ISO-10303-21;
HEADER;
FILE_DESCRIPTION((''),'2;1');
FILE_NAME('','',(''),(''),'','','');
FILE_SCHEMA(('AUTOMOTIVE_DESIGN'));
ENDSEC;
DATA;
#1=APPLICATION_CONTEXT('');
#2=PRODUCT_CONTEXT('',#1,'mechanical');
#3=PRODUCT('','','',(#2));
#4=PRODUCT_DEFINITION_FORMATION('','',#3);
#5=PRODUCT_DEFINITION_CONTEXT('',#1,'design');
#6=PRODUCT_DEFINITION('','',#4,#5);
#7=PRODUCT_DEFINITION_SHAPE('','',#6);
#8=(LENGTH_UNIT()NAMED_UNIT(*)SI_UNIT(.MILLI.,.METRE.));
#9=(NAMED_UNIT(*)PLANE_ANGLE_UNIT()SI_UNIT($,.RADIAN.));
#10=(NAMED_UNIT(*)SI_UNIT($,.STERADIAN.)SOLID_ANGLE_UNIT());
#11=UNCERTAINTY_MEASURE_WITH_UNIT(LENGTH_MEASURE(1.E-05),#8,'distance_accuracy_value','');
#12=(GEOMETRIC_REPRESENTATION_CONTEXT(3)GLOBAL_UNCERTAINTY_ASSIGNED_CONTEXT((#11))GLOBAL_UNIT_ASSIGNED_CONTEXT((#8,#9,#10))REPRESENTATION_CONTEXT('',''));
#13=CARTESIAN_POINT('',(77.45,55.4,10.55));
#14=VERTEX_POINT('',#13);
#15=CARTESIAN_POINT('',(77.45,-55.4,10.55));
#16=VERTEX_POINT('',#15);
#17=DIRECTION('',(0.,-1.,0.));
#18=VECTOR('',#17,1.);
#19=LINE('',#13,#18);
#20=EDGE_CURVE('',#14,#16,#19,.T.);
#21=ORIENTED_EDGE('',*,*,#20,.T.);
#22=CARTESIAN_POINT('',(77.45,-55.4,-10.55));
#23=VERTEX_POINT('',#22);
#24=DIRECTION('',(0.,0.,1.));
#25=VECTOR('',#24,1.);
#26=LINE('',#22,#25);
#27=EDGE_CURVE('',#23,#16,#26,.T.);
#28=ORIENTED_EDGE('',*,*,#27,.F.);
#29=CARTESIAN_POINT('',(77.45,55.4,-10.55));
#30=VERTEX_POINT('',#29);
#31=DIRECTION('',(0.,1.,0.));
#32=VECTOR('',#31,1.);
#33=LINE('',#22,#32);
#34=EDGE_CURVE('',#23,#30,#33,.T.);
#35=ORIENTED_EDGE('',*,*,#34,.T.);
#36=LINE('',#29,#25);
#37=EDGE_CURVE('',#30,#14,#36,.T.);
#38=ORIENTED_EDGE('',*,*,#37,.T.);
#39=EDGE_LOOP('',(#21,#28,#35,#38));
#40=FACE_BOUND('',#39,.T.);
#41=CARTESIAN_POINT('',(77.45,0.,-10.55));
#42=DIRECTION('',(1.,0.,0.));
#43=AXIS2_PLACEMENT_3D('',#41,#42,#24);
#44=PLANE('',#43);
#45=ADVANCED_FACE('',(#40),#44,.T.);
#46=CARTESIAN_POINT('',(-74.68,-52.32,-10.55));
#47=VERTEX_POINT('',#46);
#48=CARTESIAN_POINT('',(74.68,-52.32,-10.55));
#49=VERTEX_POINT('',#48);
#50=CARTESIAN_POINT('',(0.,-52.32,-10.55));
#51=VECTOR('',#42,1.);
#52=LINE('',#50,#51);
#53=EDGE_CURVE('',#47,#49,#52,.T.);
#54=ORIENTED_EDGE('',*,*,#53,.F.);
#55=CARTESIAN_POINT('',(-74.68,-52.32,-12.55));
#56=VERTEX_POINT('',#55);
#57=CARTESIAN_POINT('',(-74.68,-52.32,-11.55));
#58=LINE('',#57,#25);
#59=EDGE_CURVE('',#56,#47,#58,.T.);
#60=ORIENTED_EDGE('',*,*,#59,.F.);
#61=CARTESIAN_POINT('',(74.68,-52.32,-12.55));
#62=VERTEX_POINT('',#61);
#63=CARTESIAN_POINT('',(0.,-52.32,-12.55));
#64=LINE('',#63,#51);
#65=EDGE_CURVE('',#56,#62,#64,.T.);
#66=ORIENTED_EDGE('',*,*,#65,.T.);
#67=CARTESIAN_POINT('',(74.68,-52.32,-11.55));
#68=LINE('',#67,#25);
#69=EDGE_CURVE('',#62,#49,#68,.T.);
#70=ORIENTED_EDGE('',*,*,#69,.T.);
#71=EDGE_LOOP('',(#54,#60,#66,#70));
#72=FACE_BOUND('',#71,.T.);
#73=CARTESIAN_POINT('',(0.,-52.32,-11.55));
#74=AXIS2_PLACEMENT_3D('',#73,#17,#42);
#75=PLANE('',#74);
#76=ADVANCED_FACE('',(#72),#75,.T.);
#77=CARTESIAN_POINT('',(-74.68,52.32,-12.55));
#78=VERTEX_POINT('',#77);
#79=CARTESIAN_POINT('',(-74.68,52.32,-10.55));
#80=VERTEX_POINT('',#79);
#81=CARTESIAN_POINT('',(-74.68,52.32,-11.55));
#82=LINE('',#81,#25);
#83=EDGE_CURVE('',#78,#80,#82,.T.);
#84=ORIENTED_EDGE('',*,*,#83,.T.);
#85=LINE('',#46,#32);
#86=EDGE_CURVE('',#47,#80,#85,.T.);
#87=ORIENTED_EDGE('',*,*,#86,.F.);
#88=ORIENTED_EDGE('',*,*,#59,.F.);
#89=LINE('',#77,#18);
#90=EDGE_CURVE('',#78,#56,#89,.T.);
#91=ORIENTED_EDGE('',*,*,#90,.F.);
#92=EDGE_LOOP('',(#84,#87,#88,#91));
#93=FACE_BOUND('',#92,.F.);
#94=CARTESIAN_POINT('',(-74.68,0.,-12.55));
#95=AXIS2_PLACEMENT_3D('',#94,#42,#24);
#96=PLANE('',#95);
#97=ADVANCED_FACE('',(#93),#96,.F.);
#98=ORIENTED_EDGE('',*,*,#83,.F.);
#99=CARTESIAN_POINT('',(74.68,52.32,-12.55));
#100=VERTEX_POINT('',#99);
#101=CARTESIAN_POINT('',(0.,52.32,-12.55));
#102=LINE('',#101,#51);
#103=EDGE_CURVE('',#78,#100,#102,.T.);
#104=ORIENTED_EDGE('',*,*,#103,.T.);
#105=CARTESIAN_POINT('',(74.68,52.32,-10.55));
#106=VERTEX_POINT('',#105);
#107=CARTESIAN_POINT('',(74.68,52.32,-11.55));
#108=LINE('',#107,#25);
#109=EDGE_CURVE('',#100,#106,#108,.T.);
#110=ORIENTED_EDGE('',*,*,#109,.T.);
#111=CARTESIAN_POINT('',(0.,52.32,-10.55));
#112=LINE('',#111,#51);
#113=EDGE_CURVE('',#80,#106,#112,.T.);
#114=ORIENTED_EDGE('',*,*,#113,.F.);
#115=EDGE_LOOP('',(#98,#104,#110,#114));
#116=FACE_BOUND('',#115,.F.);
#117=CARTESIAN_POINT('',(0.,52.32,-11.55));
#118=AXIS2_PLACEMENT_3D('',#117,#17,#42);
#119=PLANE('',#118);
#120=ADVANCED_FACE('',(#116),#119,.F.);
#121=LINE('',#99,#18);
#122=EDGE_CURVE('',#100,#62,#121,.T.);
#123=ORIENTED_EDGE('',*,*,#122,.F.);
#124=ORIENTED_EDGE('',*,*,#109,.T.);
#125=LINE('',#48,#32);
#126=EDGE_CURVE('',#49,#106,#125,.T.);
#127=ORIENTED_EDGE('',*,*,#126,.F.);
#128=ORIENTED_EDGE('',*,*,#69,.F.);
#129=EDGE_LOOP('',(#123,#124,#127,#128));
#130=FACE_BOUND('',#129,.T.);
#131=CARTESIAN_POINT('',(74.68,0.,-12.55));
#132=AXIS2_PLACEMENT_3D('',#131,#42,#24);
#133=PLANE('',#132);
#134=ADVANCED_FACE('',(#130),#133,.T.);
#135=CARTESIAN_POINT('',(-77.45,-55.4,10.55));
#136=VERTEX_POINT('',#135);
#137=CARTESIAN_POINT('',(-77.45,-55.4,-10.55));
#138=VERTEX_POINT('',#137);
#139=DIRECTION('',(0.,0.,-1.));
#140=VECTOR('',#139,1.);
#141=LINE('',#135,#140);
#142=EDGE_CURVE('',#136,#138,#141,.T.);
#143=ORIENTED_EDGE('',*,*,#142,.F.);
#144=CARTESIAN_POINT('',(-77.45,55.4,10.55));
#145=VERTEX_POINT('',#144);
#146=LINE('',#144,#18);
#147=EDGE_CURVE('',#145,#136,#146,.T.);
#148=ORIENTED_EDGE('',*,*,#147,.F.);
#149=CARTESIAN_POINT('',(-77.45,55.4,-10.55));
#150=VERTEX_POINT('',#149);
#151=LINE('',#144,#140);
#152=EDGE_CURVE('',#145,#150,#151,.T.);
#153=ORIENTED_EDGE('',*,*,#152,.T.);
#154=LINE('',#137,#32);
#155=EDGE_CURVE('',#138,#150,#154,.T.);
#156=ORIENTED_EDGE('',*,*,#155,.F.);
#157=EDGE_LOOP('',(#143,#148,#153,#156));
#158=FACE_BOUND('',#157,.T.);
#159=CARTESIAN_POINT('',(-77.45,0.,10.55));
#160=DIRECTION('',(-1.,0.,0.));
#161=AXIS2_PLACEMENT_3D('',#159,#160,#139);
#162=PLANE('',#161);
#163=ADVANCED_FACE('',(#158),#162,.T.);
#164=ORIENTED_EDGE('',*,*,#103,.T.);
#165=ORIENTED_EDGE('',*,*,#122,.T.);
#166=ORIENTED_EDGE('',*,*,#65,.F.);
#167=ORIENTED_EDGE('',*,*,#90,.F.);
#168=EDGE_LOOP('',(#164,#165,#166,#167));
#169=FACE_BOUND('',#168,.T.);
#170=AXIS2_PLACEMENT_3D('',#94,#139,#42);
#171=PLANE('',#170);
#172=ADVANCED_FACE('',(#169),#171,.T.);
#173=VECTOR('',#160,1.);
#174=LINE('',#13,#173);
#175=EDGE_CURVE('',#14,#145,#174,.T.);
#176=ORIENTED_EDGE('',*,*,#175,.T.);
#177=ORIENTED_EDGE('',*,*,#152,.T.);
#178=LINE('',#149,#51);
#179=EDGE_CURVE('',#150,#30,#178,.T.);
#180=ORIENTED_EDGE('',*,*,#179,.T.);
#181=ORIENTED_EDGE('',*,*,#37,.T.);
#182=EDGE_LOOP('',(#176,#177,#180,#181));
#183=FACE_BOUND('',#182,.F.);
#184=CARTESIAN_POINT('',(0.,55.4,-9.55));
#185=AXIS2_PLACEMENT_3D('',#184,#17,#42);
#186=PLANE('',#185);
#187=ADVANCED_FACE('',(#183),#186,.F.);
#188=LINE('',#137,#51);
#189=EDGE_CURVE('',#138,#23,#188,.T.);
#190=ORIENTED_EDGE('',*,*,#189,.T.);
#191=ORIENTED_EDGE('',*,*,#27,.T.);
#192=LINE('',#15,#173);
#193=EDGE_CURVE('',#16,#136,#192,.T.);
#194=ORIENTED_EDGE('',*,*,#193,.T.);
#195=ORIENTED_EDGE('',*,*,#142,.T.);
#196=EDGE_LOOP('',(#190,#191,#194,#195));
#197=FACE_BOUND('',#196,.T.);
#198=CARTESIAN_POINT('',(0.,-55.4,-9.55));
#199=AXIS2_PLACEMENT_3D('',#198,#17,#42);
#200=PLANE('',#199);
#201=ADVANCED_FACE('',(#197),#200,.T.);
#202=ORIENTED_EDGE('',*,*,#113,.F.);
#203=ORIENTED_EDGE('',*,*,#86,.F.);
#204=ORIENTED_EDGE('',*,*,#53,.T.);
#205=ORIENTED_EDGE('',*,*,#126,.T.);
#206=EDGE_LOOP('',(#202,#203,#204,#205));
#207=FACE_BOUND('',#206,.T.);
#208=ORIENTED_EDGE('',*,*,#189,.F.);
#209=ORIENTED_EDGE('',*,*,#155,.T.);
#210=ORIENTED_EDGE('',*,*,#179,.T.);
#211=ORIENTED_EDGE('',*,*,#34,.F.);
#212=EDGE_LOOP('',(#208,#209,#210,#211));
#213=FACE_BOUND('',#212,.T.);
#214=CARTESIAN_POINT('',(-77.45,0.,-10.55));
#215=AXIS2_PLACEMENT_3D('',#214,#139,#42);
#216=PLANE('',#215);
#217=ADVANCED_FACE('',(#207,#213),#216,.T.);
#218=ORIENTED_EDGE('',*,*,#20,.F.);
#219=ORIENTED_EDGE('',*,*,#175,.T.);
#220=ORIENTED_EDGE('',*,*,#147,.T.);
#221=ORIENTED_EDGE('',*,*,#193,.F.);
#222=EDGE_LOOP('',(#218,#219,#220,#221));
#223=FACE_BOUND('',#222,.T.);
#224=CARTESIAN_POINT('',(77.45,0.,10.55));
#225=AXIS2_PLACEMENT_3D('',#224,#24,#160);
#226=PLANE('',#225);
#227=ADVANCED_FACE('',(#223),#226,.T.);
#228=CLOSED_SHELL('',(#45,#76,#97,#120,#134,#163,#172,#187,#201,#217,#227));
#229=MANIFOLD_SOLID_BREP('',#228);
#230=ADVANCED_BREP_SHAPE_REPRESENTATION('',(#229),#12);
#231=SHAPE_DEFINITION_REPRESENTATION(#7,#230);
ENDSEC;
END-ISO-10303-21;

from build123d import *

# Parameters (mm, degrees)
F0_W     = 149.36
F0_H     = 2
F1_DEPTH = 55.4
F2_DEPTH = 52.32


with BuildPart() as f1:
    # F0 (on Front) → F1 (new body, symmetric)
    with BuildSketch(Plane.XZ):
        with Locations((0, -9.55)):
            Rectangle(F0_W, F0_H)
        Polygon((77.45, 10.55), (-77.45, 10.55), (-77.45, -10.55), (-74.68, -10.55), (-74.68, -8.55), (74.68, -8.55), (74.68, -10.55), (77.45, -10.55), align=None)
    extrude(amount=F1_DEPTH, both=True)

    # F0 (on Front) → F2 (join, symmetric)
    with BuildSketch(Plane.XZ):
        with Locations((0, -11.55)):
            Rectangle(F0_W, F0_H)
    extrude(amount=F2_DEPTH, both=True)


solid = f1.part
